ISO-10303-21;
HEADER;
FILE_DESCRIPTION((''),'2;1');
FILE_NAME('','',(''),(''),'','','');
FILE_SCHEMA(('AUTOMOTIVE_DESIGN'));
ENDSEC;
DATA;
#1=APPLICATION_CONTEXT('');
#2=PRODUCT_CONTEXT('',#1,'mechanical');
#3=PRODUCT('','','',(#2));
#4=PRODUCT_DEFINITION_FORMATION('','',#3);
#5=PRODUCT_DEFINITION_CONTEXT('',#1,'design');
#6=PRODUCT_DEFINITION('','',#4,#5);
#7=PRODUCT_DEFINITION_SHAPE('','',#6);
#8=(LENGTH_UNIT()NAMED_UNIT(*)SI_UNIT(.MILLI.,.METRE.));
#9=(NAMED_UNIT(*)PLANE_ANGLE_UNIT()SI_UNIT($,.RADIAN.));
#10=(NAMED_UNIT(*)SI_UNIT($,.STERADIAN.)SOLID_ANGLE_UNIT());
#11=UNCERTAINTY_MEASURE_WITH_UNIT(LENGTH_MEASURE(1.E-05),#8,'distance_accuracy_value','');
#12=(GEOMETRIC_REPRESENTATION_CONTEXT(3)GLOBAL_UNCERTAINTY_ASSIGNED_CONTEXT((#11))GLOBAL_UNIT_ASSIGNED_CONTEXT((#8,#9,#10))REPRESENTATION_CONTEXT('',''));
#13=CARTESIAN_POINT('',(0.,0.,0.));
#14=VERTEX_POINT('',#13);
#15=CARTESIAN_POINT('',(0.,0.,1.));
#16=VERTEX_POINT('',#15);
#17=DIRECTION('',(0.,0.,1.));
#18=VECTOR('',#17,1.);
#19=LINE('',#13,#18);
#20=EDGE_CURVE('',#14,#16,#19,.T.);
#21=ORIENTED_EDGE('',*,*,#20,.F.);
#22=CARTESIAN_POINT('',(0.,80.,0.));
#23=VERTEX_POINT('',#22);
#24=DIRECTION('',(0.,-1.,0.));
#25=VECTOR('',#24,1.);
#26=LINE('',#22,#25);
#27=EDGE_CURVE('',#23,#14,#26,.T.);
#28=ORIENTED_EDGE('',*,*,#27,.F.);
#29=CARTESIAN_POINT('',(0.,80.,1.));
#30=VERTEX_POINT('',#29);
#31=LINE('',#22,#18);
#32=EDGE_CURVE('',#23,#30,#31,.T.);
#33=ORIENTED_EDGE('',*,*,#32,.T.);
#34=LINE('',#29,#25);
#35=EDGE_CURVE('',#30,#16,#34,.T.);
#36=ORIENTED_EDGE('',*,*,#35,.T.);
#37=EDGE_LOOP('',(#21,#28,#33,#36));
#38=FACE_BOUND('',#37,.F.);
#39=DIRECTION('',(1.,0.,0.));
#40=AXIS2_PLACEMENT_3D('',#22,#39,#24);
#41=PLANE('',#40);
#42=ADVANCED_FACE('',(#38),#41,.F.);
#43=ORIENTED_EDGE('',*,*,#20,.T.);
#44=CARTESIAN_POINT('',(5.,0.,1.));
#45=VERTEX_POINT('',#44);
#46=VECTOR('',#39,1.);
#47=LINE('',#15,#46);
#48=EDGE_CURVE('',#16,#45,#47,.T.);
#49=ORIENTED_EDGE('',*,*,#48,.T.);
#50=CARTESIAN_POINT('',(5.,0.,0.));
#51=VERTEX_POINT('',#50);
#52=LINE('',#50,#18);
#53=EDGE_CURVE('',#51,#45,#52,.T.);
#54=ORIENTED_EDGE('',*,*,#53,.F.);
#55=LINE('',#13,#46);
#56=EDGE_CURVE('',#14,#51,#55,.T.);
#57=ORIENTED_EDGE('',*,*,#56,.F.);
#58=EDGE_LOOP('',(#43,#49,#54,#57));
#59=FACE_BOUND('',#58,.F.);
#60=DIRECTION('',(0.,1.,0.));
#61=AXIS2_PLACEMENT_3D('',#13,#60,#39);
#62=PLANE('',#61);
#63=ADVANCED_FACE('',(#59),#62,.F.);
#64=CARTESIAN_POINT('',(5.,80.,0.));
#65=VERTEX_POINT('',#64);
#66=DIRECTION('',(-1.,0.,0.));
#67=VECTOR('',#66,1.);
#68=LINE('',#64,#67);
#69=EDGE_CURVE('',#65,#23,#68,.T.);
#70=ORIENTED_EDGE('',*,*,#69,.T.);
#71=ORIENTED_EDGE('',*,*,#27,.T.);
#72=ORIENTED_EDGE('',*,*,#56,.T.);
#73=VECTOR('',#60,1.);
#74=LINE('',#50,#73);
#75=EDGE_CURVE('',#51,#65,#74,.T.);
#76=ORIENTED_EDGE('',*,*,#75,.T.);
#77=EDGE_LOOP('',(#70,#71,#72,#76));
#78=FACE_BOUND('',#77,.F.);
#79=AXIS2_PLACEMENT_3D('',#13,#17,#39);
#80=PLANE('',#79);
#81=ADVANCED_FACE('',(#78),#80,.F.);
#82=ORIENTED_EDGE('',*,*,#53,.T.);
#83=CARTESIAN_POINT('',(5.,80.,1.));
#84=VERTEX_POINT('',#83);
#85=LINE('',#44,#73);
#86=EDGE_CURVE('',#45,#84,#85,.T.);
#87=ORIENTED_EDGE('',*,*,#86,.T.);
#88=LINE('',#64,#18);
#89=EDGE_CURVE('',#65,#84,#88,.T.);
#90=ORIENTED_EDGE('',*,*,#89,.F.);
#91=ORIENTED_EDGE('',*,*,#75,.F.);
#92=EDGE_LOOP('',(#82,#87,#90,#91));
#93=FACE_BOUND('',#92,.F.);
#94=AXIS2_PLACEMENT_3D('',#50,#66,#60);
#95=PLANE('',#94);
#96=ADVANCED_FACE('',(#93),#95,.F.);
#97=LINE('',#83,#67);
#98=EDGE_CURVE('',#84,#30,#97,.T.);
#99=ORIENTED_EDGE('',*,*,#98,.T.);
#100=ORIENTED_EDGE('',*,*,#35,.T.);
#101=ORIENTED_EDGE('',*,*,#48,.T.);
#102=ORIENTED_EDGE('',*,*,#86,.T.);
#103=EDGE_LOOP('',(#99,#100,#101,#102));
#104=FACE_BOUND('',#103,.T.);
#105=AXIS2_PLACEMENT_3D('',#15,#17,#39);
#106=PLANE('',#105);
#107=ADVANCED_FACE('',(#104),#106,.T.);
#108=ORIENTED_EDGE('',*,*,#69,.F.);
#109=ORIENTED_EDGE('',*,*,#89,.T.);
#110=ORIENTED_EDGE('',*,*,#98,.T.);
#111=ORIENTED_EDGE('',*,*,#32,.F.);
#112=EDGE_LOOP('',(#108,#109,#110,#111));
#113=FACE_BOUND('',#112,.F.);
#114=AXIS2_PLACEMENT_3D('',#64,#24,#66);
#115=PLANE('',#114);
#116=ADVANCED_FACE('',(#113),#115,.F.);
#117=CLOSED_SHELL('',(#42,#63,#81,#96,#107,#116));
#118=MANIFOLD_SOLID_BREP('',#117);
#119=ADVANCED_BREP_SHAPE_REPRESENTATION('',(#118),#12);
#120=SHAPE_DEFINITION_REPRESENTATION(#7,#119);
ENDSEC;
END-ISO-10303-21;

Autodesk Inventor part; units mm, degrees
ref_plane "YZ Plane" through (0, 0, 0) normal (1, 0, 0) x (0, 1, 0)
ref_plane "XZ Plane" through (0, 0, 0) normal (0, 1, 0) x (-1, 0, 0)
ref_plane "XY Plane" through (0, 0, 0) normal (0, 0, 1) x (1, 0, 0)
sketch "Sketch1" plane through (0, 0, 0) normal (0, 0, 1) x (1, 0, 0)
  line L0 (0, 0) -> (5, 0)
  line L1 (5, 0) -> (5, 80)
  line L2 (5, 80) -> (0, 80)
  line L3 (0, 80) -> (0, 0)
  dimension "d0" = 5
  dimension "d1" = 80
extrude "Extrusion1" add sketch "Sketch1" along normal blind 1
properties part number "Foam Tape" material "Polyurethane Foam"
